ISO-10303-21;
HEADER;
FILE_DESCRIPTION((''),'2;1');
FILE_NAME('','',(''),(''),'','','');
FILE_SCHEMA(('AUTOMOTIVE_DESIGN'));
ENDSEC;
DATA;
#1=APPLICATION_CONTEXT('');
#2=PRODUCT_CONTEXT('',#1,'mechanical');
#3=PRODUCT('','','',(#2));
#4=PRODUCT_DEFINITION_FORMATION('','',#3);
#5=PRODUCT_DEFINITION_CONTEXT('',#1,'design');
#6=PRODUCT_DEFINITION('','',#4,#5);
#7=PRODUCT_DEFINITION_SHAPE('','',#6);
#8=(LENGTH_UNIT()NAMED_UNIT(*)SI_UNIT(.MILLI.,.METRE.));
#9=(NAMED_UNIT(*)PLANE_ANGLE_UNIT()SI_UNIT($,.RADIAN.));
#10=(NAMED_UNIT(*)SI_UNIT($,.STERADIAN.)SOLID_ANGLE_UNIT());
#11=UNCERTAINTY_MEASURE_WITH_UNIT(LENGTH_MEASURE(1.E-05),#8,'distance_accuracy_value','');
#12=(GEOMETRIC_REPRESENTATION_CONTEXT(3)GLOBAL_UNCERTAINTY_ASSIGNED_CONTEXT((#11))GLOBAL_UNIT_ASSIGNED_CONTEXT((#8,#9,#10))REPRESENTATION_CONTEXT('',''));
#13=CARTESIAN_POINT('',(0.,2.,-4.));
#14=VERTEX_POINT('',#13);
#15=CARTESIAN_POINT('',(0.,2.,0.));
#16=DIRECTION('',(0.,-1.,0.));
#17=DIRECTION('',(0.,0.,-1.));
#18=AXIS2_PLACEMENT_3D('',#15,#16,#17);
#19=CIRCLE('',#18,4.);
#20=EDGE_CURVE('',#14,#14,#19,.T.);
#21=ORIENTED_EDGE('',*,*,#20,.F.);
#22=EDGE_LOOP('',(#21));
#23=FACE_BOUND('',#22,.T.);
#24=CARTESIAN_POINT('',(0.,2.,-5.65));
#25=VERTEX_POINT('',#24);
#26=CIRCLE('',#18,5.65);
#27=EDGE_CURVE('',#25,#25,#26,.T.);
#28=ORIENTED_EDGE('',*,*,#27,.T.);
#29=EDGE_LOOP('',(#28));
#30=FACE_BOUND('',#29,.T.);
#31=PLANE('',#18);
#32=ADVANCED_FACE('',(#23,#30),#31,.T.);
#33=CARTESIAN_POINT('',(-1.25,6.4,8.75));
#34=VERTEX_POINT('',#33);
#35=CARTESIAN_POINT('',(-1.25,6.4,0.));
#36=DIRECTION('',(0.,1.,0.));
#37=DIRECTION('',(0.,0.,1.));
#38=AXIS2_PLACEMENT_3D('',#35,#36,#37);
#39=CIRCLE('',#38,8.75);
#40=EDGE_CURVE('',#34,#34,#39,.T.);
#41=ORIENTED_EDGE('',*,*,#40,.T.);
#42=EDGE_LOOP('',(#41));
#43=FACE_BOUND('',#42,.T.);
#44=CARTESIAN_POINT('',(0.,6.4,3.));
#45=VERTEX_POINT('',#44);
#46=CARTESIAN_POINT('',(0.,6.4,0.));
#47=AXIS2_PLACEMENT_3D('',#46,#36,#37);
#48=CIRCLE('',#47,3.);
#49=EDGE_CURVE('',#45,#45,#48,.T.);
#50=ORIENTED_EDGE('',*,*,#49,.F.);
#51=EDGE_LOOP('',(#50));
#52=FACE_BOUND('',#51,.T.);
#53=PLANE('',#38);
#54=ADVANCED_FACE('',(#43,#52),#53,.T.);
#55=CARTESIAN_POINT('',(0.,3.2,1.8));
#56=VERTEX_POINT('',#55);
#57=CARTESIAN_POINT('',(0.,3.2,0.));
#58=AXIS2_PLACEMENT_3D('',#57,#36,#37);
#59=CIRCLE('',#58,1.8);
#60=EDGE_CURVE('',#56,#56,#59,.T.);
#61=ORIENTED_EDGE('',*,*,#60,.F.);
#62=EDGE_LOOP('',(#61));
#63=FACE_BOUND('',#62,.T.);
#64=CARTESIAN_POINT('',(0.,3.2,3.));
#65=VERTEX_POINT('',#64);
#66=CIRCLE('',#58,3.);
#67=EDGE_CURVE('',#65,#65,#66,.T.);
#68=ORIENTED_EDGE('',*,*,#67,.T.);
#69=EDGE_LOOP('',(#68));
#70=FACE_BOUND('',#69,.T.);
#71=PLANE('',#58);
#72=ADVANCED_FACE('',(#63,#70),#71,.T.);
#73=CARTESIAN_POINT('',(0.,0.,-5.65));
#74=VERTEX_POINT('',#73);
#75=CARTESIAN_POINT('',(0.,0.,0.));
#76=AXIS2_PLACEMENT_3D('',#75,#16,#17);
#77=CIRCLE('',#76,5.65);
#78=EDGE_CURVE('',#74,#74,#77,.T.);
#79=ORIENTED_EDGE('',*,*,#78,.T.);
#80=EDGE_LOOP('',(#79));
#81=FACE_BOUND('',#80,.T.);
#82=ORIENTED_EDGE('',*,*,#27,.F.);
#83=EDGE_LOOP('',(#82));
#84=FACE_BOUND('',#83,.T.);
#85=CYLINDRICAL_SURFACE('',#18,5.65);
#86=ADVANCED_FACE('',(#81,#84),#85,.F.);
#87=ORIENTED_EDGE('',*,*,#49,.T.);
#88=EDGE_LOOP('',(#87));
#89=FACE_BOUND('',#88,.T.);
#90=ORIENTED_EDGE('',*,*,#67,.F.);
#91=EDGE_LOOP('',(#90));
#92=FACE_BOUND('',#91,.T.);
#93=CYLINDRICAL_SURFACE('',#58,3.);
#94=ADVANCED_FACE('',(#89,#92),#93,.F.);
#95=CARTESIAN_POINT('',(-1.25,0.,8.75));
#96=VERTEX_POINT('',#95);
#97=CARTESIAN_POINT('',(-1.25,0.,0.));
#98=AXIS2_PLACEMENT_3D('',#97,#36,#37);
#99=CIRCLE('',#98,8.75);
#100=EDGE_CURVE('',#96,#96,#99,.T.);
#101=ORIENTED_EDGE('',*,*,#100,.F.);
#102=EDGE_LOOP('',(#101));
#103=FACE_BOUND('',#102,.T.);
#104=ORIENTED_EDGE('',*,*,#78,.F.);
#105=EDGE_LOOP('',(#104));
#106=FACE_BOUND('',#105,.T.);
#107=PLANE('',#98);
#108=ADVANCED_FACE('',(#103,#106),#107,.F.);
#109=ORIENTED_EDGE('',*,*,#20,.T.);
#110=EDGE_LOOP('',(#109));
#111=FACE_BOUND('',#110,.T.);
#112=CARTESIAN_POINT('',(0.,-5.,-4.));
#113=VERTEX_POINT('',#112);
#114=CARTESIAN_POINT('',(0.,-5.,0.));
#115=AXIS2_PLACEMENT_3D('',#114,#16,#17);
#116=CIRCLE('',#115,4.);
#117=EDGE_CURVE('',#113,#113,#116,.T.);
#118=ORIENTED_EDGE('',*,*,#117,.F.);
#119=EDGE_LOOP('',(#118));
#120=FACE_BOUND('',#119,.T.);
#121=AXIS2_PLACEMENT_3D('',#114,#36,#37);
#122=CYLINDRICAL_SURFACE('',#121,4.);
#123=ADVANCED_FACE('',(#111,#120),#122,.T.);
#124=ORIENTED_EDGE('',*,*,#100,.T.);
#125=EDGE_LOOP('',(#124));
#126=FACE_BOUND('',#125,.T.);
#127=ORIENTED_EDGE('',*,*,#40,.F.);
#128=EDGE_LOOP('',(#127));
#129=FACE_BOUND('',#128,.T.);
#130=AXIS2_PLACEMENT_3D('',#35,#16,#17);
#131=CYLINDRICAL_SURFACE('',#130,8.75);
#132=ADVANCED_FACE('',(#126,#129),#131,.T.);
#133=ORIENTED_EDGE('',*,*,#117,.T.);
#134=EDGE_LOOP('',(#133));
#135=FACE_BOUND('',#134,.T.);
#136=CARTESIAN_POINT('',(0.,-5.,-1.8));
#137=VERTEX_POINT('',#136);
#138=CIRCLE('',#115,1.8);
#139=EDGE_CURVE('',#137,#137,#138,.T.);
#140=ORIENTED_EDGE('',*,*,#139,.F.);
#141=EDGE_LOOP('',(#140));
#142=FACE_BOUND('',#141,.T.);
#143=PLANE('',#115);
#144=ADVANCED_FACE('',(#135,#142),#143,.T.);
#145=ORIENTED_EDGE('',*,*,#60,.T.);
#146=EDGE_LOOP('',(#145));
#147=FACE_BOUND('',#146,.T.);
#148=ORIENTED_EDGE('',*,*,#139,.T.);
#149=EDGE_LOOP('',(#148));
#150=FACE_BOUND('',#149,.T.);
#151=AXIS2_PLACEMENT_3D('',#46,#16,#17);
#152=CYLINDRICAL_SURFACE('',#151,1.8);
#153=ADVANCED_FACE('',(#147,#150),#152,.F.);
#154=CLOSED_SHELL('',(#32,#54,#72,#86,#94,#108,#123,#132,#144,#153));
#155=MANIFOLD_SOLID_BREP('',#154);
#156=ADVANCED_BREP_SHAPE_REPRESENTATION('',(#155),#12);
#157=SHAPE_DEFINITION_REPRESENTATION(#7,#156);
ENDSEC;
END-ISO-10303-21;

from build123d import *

# Parameters (mm, degrees)
SKETCH_1_R          = 8.75
SKETCH_1_R_2        = 1.8
EXTRUDE_1_DEPTH     = 6.4
SKETCH_7_R          = 3
CUT_EXTRUDE_1_DEPTH = 3.2
SKETCH_8_R          = 4
SKETCH_8_R_2        = 1.8
EXTRUDE_2_DEPTH     = 5
SKETCH_9_R          = 5.65
SKETCH_9_R_2        = 4
CUT_EXTRUDE_2_DEPTH = 2


with BuildPart() as part:
    # Эскиз1 → Бобышка-Вытянуть1 (new body)
    with BuildSketch(Plane(origin=(0, 0, 0), x_dir=(1, 0, 0), z_dir=(0, 1, 0))):
        with Locations((-1.25, 0)):
            Circle(SKETCH_1_R)
        Circle(SKETCH_1_R_2, mode=Mode.SUBTRACT)
    extrude(amount=EXTRUDE_1_DEPTH)

    # Эскиз7 → Вырез-Вытянуть1 (cut)
    with BuildSketch(Plane(origin=(0, 6.4, 0), x_dir=(1, 0, 0), z_dir=(0, 1, 0))):
        Circle(SKETCH_7_R)
    extrude(amount=-CUT_EXTRUDE_1_DEPTH, mode=Mode.SUBTRACT)

    # Эскиз8 → Бобышка-Вытянуть2 (add)
    with BuildSketch(Plane.XZ):
        Circle(SKETCH_8_R)
        Circle(SKETCH_8_R_2, mode=Mode.SUBTRACT)
    extrude(amount=EXTRUDE_2_DEPTH)

    # Эскиз9 → Вырез-Вытянуть2 (cut)
    with BuildSketch(Plane.XZ):
        Circle(SKETCH_9_R)
        Circle(SKETCH_9_R_2, mode=Mode.SUBTRACT)
    extrude(amount=-CUT_EXTRUDE_2_DEPTH, mode=Mode.SUBTRACT)


solid = part.part
